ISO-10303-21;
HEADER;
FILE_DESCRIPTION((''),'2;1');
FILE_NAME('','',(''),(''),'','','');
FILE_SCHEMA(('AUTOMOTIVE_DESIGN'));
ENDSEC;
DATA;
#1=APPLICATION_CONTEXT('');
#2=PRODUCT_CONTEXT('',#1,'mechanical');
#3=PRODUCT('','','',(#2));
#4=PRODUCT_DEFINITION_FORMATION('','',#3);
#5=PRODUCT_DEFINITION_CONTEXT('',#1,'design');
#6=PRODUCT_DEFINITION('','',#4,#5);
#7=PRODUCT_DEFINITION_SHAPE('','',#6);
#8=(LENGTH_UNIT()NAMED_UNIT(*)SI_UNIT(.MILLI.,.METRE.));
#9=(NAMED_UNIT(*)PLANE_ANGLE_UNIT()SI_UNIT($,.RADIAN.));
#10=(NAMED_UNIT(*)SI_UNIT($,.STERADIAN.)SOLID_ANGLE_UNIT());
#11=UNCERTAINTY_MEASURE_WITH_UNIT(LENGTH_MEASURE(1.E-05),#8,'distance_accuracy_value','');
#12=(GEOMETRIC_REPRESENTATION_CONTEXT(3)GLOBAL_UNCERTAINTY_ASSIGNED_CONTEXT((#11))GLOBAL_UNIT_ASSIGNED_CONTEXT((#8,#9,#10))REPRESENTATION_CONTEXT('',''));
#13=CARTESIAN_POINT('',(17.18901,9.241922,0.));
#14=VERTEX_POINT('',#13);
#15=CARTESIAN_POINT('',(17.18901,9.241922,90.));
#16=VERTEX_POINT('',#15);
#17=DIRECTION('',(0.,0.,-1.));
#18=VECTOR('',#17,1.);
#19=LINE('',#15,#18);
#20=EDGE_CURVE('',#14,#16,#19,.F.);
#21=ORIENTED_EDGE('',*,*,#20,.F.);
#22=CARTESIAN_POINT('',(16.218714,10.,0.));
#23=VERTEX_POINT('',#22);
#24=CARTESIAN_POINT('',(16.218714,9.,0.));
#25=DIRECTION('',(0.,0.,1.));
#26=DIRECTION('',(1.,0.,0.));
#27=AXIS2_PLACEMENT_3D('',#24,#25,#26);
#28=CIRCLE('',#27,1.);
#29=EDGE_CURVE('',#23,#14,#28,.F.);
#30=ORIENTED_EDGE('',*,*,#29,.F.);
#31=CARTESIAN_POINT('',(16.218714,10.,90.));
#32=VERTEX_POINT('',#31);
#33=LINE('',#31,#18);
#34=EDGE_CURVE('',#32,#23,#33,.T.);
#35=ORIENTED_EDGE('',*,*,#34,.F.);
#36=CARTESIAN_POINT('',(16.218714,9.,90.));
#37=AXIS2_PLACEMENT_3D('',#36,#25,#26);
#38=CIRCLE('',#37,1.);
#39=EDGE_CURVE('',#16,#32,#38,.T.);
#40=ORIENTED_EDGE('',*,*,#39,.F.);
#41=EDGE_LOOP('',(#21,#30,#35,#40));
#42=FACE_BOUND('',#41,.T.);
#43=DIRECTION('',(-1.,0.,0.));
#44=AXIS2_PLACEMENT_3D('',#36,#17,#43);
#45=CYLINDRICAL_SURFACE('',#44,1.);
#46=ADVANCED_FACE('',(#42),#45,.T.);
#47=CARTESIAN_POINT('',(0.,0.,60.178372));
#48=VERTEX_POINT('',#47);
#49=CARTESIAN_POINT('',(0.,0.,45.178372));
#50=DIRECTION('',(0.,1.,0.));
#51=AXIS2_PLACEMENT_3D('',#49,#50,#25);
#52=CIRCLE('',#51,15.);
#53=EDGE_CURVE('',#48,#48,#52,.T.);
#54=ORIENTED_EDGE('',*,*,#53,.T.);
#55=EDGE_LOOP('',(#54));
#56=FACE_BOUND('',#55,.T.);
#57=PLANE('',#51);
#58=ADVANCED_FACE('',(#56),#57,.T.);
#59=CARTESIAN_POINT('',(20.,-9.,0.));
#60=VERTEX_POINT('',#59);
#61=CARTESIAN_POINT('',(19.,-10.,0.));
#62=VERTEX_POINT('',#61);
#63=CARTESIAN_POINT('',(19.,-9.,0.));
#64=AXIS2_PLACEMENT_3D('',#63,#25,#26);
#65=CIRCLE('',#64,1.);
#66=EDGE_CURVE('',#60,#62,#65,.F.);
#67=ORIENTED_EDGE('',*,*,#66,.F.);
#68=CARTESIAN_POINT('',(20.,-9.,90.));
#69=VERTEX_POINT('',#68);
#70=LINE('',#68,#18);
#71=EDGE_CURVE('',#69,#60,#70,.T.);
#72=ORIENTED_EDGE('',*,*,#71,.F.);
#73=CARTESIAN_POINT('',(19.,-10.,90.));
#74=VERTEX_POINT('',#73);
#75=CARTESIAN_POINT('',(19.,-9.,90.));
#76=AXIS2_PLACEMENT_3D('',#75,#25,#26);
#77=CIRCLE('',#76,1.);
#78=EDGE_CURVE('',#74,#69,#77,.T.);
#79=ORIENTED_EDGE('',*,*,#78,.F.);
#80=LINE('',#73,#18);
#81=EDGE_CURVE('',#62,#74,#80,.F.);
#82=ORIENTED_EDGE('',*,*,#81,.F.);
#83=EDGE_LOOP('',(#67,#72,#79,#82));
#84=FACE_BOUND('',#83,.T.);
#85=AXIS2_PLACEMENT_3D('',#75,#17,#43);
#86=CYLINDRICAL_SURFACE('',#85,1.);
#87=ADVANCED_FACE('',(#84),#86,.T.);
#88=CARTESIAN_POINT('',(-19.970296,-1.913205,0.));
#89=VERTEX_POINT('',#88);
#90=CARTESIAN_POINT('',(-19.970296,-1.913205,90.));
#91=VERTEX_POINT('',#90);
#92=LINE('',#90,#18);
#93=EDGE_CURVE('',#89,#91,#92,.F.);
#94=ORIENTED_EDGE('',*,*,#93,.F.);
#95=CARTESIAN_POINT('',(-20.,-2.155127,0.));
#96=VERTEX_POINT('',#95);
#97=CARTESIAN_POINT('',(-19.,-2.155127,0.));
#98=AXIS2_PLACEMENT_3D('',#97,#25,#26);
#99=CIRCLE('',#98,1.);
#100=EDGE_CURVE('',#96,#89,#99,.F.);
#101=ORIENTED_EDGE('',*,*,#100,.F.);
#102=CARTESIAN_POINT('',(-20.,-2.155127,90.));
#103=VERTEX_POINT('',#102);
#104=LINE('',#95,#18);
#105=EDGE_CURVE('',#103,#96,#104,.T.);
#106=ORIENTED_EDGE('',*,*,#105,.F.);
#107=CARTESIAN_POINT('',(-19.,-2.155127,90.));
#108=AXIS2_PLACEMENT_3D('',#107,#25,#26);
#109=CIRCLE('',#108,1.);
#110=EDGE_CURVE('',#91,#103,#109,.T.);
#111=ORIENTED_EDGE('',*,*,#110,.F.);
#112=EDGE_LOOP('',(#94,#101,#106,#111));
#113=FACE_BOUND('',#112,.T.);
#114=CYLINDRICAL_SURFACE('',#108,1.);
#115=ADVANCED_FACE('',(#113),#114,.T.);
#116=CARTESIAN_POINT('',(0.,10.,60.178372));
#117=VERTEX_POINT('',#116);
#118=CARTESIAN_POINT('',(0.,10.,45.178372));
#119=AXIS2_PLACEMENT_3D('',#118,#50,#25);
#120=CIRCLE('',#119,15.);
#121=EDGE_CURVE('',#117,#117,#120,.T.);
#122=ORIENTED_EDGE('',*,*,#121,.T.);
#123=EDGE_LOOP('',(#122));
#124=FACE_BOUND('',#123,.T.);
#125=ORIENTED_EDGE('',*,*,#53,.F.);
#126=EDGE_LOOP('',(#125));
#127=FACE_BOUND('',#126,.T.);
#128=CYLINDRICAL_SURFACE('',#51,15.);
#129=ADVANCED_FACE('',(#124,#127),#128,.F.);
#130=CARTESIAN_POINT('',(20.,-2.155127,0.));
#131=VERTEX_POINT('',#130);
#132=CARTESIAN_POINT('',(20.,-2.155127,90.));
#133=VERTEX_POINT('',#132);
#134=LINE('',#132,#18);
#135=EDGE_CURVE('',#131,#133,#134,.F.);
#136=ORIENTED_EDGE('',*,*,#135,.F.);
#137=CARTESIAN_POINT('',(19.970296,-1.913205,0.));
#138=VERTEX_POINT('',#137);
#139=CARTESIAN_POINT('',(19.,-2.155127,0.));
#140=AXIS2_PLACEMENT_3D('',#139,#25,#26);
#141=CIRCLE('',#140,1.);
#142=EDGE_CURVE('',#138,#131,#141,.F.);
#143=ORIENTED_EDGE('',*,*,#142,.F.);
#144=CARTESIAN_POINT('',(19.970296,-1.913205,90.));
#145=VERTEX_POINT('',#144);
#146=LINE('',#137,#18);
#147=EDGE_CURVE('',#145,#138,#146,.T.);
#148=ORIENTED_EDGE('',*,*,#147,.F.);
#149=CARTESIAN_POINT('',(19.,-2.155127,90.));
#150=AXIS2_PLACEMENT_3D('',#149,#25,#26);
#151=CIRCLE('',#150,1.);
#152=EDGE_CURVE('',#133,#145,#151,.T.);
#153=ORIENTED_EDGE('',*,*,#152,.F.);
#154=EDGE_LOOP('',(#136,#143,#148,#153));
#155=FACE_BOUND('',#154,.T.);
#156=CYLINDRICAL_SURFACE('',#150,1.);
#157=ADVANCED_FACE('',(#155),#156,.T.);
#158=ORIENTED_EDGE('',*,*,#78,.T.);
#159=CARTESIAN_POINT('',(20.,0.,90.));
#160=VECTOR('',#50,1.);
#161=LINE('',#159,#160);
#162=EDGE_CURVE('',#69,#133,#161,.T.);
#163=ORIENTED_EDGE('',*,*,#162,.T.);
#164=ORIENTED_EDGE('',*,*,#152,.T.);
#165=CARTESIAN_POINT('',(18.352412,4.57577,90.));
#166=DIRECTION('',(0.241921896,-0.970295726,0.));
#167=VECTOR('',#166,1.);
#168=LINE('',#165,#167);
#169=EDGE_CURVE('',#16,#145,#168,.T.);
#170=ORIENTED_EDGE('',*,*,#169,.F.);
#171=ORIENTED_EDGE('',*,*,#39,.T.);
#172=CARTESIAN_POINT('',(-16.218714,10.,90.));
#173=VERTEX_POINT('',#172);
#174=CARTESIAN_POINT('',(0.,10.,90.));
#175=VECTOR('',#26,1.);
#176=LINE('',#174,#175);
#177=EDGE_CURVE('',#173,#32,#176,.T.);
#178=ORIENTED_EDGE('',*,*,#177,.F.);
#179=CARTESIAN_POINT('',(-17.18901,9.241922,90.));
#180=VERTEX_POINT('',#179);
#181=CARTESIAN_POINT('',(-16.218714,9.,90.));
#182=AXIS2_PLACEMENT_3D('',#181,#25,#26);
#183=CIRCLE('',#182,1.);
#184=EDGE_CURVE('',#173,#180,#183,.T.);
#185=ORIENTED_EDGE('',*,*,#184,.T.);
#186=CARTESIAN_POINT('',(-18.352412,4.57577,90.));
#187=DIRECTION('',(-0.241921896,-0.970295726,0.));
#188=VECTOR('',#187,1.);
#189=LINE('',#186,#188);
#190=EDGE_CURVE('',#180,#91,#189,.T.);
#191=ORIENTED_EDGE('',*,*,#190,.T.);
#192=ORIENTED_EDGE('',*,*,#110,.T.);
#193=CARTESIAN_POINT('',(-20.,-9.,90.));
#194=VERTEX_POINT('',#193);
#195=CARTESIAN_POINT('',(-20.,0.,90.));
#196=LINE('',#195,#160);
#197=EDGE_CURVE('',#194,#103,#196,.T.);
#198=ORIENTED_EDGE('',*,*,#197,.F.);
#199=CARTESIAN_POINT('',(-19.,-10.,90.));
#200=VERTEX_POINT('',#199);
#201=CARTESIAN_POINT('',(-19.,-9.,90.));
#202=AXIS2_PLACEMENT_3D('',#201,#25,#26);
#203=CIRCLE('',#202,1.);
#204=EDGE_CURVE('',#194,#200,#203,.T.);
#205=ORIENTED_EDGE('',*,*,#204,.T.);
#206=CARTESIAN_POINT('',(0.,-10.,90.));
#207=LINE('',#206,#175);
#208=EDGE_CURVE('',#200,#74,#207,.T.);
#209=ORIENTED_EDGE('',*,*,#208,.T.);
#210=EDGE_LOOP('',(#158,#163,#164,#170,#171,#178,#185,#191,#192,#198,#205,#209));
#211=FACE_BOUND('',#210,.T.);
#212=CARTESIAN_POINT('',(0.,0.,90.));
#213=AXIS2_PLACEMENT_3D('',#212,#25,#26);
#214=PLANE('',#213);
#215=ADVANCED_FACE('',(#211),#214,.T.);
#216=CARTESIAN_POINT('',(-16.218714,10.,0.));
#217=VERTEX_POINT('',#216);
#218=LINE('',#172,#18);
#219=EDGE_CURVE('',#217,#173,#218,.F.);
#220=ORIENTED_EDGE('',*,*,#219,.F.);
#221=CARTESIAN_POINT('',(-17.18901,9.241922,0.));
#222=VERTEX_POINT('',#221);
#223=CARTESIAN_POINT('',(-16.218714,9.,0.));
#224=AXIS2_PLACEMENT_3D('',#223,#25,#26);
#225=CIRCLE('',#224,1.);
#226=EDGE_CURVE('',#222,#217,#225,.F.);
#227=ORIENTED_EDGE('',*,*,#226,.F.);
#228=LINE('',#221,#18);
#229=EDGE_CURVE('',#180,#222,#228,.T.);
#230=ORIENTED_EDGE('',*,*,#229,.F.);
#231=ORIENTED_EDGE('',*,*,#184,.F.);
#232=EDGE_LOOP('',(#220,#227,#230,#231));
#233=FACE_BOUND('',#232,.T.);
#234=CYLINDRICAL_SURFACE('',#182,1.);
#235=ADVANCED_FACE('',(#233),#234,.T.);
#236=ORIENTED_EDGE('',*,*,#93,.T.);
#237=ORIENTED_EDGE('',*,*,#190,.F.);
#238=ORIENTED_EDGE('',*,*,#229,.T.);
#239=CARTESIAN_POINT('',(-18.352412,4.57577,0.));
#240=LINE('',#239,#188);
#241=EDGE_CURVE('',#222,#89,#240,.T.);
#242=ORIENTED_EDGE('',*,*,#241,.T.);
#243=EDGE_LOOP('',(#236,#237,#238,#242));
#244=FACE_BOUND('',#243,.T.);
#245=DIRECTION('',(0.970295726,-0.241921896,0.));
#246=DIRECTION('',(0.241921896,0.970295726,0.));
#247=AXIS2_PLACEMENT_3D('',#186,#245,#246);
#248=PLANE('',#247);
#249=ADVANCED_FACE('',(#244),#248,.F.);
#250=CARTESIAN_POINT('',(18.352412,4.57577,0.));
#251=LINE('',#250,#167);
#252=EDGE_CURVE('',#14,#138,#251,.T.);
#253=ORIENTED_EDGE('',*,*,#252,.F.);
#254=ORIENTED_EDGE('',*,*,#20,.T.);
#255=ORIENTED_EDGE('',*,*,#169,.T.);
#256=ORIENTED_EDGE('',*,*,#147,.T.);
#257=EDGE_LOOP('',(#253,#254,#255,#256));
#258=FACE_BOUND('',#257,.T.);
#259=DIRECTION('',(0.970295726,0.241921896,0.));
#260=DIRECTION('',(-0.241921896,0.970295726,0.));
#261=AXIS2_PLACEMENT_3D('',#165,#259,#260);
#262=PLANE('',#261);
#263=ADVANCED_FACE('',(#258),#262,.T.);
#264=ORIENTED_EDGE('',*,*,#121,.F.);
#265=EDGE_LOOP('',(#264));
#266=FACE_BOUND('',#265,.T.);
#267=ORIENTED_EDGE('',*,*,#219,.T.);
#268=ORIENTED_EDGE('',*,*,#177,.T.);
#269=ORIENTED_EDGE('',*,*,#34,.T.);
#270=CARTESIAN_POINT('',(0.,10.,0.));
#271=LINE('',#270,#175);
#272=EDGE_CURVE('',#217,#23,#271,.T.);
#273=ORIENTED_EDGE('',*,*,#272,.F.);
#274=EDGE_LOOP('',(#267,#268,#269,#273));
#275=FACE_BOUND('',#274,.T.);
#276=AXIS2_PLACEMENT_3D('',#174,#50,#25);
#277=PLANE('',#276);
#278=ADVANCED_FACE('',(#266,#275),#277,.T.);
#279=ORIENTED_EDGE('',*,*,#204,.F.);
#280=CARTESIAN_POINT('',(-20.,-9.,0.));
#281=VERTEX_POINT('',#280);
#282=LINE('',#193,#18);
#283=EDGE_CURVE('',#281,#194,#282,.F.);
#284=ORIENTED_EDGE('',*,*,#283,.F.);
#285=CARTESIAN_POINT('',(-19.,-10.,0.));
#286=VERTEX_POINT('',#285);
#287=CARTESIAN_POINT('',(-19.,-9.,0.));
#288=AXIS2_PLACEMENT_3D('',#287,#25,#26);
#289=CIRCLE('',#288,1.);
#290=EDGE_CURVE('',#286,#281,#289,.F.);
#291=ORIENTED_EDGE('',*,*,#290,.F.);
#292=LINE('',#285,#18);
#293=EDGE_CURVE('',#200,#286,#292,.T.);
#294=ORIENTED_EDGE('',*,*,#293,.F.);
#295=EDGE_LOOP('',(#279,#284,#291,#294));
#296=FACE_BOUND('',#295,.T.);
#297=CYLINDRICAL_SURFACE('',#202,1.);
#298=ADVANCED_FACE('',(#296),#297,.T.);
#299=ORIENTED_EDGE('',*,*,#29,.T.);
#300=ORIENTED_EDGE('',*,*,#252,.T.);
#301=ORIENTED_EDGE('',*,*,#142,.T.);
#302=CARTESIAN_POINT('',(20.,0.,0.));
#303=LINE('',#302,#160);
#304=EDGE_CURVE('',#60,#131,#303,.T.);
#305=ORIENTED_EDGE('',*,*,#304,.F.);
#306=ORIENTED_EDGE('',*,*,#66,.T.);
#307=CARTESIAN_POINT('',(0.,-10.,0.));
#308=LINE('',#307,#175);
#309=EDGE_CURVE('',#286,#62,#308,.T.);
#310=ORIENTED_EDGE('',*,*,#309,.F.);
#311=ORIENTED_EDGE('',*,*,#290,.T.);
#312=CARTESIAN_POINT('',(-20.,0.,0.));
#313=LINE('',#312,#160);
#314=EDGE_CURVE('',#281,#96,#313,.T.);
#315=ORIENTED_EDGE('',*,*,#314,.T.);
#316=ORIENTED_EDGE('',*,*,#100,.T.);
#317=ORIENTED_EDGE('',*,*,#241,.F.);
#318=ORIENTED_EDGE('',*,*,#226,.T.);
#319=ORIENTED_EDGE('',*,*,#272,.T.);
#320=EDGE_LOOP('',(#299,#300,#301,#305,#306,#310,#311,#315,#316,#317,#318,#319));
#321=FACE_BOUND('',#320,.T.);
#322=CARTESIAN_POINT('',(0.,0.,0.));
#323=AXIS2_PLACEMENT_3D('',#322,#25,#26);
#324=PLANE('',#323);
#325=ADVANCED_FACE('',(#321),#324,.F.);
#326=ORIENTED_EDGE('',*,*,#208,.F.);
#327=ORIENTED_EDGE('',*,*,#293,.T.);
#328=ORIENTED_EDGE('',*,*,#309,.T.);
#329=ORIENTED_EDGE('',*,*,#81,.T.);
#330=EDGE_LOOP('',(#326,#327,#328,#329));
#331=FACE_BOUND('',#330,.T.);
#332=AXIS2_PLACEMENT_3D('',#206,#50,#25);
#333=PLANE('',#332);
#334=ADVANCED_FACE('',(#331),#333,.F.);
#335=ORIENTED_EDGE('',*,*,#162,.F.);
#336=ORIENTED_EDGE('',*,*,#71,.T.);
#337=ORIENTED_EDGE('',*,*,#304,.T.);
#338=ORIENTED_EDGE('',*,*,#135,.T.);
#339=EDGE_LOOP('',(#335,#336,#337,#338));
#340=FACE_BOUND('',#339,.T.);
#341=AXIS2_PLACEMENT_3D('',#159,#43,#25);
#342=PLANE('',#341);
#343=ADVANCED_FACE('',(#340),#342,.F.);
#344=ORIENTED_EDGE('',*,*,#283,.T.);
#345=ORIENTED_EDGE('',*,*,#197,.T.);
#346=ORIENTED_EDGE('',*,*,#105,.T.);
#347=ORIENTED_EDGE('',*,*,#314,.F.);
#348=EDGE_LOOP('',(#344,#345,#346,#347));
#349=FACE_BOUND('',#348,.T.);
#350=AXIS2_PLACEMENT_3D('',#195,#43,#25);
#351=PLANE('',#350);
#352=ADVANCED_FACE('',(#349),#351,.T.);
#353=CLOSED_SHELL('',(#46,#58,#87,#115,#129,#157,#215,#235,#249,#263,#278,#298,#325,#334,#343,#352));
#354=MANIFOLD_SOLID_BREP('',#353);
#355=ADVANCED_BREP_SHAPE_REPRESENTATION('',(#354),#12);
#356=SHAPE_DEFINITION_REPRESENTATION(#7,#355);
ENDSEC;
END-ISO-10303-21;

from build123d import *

# Parameters (mm, degrees)
BOSS_EXTRUDE1_DEPTH = 90
FILLET1_R           = 1
SKETCH2_R           = 15
CUT_EXTRUDE1_DEPTH  = 10


with BuildPart() as part:
    # Sketch1 → Boss-Extrude1 (new body)
    with BuildSketch(Plane.XY):
        Polygon((-20, -2.032342801), (-20, -10), (20, -10), (20, -2.032342801), (17, 10), (-17, 10), align=None)
    extrude(amount=BOSS_EXTRUDE1_DEPTH)

    # Fillet1
    fillet1_edges = [part.edges().sort_by_distance(p)[0] for p in [
        (17, 10, 45),
        (20, -2.032342801, 45),
        (20, -10, 45),
        (-20, -10, 45),
        (-20, -2.032342801, 45),
        (-17, 10, 45),
    ]]
    fillet(fillet1_edges, radius=FILLET1_R)

    # Sketch2 → Cut-Extrude1 (cut)
    with BuildSketch(Plane(origin=(0, 10, 0), x_dir=(1, 0, 0), z_dir=(0, 1, 0))):
        with Locations(Location((0, -45.17837191, 0), (0, 0, 270))):
            Circle(SKETCH2_R)
    extrude(amount=-CUT_EXTRUDE1_DEPTH, mode=Mode.SUBTRACT)


solid = part.part
